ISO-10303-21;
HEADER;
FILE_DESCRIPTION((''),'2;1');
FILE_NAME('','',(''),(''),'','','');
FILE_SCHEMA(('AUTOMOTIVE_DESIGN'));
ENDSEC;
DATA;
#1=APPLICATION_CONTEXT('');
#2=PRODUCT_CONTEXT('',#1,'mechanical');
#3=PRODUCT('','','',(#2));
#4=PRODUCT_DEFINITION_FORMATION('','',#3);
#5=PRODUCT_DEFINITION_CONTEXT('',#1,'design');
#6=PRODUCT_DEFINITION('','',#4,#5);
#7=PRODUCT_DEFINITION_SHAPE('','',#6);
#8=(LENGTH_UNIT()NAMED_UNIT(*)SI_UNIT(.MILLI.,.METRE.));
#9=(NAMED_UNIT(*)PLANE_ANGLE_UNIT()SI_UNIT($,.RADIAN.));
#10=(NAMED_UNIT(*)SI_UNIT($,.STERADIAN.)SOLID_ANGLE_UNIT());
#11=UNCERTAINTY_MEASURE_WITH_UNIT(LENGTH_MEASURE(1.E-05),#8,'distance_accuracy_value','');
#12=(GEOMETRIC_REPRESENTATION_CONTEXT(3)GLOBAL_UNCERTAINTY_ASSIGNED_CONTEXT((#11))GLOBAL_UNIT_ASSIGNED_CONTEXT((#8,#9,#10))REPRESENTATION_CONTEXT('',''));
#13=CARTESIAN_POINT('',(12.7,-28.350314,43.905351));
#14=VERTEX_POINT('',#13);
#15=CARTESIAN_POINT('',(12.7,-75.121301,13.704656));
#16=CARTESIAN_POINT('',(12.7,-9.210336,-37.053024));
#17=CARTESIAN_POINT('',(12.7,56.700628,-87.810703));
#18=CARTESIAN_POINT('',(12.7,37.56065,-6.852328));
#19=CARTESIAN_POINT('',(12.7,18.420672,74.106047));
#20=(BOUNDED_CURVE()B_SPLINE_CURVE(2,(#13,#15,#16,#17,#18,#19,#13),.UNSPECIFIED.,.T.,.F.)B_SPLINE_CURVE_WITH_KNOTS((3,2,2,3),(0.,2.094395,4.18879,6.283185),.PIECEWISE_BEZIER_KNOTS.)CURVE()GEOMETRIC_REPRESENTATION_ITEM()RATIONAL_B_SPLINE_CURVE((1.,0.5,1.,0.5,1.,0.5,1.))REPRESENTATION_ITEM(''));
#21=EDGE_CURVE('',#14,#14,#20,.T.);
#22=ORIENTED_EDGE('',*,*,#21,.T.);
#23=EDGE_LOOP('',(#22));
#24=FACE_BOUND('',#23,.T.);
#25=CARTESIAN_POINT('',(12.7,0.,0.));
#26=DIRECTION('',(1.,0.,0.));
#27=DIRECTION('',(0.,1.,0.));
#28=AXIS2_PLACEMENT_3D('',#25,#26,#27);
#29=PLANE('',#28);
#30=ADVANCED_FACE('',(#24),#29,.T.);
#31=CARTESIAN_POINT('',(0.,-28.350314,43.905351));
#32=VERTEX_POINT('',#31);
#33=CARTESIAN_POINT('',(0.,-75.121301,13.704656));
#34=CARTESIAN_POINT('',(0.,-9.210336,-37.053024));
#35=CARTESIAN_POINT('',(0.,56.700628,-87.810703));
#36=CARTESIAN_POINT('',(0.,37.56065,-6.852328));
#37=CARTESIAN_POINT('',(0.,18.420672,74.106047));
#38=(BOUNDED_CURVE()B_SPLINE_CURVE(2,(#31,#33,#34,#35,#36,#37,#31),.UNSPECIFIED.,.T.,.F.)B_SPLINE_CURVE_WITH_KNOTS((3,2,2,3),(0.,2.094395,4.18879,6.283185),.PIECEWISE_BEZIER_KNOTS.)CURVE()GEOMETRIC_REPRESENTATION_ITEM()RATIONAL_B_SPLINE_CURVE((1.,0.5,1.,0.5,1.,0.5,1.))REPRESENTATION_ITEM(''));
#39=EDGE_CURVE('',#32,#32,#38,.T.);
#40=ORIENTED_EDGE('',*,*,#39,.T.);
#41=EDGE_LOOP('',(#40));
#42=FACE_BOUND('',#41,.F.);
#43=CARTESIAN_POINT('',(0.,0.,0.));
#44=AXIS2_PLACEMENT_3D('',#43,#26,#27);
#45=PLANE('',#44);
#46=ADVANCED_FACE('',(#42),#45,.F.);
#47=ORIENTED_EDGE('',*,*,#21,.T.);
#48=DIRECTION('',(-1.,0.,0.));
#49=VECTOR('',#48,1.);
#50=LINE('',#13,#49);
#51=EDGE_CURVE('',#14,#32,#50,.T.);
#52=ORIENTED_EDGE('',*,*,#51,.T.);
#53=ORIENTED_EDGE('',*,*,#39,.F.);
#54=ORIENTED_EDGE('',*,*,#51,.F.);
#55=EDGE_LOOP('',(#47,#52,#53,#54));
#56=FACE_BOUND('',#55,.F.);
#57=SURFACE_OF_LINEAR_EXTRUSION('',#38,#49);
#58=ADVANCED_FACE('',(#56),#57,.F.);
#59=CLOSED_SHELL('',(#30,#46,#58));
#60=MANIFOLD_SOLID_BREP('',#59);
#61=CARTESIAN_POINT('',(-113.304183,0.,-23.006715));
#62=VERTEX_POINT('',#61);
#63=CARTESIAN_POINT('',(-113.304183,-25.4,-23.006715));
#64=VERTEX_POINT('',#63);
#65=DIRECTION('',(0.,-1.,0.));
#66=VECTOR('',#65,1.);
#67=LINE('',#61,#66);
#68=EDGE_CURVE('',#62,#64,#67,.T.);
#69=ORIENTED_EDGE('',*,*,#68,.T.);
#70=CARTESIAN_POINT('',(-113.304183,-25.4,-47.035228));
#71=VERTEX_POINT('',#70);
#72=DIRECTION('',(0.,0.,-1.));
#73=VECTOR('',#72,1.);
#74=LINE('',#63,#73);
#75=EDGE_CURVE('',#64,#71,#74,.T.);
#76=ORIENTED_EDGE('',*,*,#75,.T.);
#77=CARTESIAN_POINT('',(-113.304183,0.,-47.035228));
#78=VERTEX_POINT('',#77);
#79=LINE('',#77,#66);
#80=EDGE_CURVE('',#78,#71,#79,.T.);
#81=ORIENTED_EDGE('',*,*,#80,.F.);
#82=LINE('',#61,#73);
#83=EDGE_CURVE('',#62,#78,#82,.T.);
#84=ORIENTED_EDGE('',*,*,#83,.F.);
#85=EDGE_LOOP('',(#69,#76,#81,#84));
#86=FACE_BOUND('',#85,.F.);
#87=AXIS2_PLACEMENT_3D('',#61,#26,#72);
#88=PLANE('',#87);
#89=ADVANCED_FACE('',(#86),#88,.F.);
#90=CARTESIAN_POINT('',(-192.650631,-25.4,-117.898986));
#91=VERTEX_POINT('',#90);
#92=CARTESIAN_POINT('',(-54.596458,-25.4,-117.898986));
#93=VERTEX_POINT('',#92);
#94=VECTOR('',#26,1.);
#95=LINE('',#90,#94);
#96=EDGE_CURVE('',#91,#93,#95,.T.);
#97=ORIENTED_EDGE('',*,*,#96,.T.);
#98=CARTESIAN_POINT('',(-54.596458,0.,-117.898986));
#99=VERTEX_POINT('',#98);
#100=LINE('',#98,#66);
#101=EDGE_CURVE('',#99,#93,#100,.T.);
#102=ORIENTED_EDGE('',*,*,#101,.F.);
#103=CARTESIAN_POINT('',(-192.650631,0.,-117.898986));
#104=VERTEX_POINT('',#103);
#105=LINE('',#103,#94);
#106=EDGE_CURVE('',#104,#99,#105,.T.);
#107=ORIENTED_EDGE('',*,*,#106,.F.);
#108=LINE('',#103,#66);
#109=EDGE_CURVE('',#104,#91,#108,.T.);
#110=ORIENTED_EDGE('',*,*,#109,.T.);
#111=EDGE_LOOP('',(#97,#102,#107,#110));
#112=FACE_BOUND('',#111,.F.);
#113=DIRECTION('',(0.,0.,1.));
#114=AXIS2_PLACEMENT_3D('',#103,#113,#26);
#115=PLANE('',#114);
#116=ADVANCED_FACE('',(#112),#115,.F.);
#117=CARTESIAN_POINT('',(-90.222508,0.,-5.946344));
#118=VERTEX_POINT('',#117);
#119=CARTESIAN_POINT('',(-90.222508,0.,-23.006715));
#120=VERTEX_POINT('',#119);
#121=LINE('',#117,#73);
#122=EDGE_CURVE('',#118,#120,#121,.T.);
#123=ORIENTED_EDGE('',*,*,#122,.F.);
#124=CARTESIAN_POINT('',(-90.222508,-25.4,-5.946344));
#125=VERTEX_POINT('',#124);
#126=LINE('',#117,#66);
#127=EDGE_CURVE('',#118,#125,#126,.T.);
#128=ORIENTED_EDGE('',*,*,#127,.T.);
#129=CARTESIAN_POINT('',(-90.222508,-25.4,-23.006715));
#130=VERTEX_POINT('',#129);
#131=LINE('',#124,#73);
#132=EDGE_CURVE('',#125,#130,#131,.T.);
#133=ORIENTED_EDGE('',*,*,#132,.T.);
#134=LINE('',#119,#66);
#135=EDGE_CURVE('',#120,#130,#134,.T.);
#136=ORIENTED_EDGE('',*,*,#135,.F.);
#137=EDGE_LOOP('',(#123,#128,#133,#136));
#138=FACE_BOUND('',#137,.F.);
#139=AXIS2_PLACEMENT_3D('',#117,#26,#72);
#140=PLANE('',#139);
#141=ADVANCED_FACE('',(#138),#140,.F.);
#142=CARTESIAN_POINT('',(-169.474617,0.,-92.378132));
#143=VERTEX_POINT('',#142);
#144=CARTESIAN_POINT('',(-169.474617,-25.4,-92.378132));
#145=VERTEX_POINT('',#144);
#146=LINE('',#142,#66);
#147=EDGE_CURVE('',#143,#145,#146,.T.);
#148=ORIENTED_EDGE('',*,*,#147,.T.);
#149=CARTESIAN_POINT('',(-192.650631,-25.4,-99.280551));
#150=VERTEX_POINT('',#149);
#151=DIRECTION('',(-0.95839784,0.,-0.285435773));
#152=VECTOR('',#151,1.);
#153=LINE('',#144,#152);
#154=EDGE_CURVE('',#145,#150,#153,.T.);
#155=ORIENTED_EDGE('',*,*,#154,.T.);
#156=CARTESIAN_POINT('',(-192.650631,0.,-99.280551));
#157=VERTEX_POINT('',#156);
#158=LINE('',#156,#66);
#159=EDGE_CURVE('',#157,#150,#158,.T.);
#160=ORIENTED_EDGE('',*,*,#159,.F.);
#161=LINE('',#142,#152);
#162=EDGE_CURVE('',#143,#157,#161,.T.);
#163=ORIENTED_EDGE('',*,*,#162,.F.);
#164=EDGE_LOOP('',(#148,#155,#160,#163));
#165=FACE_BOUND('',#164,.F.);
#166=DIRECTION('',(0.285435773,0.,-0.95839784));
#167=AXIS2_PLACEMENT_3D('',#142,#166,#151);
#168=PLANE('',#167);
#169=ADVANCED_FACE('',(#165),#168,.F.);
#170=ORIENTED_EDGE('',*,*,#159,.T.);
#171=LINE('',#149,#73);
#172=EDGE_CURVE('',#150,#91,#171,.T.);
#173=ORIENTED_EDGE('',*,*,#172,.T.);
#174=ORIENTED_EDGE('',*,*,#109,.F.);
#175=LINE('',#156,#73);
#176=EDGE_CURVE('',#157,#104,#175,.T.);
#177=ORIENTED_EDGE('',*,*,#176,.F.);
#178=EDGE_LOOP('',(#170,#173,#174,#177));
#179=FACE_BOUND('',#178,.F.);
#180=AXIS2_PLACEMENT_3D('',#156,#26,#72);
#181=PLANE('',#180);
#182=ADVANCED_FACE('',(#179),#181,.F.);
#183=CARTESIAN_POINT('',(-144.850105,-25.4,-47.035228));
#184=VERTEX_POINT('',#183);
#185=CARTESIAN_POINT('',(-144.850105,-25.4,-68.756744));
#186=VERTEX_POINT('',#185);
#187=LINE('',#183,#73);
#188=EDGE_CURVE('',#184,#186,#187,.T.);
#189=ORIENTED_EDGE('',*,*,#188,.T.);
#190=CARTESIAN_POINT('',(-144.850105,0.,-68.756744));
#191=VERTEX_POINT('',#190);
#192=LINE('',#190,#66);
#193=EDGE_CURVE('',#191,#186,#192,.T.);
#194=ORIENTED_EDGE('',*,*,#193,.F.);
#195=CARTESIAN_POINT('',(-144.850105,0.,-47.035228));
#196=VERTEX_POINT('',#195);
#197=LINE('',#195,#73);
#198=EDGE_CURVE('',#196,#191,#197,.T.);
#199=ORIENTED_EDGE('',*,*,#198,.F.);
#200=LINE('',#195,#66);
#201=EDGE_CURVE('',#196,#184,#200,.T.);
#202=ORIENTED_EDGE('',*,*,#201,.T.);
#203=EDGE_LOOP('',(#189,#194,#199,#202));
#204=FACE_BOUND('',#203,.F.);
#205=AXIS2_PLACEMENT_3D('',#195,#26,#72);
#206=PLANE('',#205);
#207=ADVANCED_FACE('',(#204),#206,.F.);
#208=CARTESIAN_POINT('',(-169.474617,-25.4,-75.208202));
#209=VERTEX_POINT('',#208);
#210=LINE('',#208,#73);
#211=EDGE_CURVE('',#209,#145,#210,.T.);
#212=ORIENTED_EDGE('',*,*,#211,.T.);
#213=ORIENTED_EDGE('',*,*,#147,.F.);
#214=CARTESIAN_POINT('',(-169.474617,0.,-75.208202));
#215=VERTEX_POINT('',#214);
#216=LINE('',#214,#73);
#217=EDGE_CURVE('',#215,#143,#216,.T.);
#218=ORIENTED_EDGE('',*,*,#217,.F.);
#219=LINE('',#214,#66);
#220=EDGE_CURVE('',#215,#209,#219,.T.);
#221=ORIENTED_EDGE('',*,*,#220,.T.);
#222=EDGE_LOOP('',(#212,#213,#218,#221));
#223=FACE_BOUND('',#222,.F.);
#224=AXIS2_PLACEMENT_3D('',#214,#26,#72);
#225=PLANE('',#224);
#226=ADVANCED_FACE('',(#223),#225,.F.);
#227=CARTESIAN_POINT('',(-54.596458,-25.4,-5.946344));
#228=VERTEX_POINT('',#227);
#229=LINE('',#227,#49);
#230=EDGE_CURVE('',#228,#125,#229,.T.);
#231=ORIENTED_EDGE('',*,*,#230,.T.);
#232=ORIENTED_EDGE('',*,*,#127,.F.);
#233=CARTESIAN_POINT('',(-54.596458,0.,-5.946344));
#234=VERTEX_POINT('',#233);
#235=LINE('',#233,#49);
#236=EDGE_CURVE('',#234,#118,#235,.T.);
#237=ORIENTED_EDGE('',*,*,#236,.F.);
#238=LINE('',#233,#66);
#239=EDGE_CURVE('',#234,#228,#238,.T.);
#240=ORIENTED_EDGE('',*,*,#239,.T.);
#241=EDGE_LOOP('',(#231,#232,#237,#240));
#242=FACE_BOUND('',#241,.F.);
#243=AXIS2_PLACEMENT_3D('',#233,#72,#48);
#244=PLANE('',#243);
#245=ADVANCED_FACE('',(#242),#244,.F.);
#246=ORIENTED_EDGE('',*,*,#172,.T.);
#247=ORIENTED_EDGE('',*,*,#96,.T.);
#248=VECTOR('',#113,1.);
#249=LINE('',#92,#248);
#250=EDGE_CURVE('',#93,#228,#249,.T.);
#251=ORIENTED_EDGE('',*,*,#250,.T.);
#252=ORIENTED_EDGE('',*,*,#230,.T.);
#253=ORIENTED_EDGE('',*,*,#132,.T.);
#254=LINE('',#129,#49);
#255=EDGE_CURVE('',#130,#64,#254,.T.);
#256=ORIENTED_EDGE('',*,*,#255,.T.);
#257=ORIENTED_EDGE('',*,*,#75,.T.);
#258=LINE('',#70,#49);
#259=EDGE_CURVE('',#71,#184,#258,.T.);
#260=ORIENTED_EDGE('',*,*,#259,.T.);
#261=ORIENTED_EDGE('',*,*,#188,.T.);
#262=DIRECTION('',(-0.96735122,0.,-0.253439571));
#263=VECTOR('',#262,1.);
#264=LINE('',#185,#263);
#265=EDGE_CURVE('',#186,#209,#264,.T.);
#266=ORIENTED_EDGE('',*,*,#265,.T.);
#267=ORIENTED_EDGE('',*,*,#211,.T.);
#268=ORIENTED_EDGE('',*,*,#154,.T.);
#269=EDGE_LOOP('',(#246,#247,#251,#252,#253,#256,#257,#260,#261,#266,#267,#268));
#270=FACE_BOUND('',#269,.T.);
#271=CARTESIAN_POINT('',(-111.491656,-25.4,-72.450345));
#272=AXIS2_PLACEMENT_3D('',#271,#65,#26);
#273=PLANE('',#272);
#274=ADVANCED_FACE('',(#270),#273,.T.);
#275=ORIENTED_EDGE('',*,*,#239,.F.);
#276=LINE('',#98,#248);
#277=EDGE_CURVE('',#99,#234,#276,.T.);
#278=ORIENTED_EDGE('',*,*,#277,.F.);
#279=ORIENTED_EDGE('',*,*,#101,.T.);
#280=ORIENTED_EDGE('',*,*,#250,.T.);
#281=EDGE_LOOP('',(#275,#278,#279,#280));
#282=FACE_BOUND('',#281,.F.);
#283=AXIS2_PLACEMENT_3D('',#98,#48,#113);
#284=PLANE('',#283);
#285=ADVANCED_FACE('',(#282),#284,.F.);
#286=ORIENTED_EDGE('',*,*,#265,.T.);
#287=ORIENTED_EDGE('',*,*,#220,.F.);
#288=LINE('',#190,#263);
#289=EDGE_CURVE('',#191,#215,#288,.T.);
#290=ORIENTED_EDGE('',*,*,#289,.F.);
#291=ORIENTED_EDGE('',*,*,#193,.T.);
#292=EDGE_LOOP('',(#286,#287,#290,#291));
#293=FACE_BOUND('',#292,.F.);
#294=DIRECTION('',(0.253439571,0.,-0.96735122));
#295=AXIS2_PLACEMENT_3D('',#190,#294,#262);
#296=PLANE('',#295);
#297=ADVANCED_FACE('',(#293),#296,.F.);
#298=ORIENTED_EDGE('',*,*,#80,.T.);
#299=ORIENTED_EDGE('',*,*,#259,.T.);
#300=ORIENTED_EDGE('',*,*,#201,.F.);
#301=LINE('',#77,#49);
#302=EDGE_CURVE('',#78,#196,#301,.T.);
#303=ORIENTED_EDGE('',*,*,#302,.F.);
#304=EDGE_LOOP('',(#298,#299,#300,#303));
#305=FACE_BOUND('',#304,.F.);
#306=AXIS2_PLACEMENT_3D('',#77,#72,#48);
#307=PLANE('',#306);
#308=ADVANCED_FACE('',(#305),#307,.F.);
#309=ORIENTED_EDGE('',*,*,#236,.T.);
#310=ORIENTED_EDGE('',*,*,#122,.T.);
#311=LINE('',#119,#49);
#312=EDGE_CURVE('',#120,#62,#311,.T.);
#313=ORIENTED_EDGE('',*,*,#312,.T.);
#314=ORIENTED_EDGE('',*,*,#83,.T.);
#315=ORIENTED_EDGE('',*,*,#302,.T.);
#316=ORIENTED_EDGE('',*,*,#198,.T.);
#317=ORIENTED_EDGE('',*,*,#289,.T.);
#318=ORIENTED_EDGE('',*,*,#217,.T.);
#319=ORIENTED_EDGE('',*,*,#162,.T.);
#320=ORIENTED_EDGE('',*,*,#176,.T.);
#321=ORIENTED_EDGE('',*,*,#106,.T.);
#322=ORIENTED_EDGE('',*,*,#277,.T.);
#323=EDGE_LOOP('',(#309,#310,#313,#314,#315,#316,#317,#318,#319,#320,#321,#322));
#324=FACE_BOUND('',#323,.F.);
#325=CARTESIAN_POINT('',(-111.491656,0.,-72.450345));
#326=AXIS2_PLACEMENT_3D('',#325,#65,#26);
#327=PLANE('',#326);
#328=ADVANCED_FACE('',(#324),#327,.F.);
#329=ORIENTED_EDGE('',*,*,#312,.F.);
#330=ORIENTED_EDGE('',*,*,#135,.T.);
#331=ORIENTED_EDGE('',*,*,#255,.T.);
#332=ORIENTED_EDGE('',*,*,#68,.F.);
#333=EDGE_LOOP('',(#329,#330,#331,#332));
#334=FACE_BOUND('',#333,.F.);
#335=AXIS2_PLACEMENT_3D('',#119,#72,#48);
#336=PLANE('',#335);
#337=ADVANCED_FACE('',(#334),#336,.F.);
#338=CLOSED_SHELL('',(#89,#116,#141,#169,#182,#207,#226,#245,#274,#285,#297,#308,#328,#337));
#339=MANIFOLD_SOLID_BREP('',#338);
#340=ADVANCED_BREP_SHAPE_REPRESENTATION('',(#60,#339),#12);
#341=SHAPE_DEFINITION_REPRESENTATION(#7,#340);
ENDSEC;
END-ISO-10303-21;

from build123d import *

# Parameters (mm, degrees)
F1_DEPTH = 12.7
F2_DEPTH = 7.62
F4_DEPTH = 25.4


with BuildPart() as f1:
    # F0 (on Right) → F1 (new body)
    with BuildSketch(Plane.YZ):
        with BuildLine():
            add(Edge.make_bspline(
                [(-28.350314, 43.905351), (-75.121301, 13.704656), (-9.210336, -37.053024), (56.700628, -87.810703), (37.56065, -6.852328), (18.420672, 74.106047), (-28.350314, 43.905351)],
                knots=[0, 0, 0, 2.094395, 2.094395, 4.18879, 4.18879, 6.283185, 6.283185, 6.283185], degree=2, weights=[1, 0.5, 1, 0.5, 1, 0.5, 1]))
        make_face()
    extrude(amount=F1_DEPTH)

    # F0 (on Right) → F2 (join)
    with BuildSketch(Plane.YZ):
        with BuildLine():
            add(Edge.make_bspline(
                [(-28.350314, 43.905351), (-75.121301, 13.704656), (-9.210336, -37.053024), (56.700628, -87.810703), (37.56065, -6.852328), (18.420672, 74.106047), (-28.350314, 43.905351)],
                knots=[0, 0, 0, 2.094395, 2.094395, 4.18879, 4.18879, 6.283185, 6.283185, 6.283185], degree=2, weights=[1, 0.5, 1, 0.5, 1, 0.5, 1]))
        make_face()
    extrude(amount=F2_DEPTH)


with BuildPart() as f4:
    # F3 (on Front) → F4 (new body)
    with BuildSketch(Plane.XZ):
        Polygon((-192.650631, -99.280551), (-192.650631, -117.898986), (-54.596458, -117.898986), (-54.596458, -5.946344), (-90.222508, -5.946344), (-90.222508, -23.006715), (-113.304183, -23.006715), (-113.304183, -47.035228), (-144.850105, -47.035228), (-144.850105, -68.756744), (-169.474617, -75.208202), (-169.474617, -92.378132), align=None)
    extrude(amount=F4_DEPTH)


solid = Compound([f1.part, f4.part])
